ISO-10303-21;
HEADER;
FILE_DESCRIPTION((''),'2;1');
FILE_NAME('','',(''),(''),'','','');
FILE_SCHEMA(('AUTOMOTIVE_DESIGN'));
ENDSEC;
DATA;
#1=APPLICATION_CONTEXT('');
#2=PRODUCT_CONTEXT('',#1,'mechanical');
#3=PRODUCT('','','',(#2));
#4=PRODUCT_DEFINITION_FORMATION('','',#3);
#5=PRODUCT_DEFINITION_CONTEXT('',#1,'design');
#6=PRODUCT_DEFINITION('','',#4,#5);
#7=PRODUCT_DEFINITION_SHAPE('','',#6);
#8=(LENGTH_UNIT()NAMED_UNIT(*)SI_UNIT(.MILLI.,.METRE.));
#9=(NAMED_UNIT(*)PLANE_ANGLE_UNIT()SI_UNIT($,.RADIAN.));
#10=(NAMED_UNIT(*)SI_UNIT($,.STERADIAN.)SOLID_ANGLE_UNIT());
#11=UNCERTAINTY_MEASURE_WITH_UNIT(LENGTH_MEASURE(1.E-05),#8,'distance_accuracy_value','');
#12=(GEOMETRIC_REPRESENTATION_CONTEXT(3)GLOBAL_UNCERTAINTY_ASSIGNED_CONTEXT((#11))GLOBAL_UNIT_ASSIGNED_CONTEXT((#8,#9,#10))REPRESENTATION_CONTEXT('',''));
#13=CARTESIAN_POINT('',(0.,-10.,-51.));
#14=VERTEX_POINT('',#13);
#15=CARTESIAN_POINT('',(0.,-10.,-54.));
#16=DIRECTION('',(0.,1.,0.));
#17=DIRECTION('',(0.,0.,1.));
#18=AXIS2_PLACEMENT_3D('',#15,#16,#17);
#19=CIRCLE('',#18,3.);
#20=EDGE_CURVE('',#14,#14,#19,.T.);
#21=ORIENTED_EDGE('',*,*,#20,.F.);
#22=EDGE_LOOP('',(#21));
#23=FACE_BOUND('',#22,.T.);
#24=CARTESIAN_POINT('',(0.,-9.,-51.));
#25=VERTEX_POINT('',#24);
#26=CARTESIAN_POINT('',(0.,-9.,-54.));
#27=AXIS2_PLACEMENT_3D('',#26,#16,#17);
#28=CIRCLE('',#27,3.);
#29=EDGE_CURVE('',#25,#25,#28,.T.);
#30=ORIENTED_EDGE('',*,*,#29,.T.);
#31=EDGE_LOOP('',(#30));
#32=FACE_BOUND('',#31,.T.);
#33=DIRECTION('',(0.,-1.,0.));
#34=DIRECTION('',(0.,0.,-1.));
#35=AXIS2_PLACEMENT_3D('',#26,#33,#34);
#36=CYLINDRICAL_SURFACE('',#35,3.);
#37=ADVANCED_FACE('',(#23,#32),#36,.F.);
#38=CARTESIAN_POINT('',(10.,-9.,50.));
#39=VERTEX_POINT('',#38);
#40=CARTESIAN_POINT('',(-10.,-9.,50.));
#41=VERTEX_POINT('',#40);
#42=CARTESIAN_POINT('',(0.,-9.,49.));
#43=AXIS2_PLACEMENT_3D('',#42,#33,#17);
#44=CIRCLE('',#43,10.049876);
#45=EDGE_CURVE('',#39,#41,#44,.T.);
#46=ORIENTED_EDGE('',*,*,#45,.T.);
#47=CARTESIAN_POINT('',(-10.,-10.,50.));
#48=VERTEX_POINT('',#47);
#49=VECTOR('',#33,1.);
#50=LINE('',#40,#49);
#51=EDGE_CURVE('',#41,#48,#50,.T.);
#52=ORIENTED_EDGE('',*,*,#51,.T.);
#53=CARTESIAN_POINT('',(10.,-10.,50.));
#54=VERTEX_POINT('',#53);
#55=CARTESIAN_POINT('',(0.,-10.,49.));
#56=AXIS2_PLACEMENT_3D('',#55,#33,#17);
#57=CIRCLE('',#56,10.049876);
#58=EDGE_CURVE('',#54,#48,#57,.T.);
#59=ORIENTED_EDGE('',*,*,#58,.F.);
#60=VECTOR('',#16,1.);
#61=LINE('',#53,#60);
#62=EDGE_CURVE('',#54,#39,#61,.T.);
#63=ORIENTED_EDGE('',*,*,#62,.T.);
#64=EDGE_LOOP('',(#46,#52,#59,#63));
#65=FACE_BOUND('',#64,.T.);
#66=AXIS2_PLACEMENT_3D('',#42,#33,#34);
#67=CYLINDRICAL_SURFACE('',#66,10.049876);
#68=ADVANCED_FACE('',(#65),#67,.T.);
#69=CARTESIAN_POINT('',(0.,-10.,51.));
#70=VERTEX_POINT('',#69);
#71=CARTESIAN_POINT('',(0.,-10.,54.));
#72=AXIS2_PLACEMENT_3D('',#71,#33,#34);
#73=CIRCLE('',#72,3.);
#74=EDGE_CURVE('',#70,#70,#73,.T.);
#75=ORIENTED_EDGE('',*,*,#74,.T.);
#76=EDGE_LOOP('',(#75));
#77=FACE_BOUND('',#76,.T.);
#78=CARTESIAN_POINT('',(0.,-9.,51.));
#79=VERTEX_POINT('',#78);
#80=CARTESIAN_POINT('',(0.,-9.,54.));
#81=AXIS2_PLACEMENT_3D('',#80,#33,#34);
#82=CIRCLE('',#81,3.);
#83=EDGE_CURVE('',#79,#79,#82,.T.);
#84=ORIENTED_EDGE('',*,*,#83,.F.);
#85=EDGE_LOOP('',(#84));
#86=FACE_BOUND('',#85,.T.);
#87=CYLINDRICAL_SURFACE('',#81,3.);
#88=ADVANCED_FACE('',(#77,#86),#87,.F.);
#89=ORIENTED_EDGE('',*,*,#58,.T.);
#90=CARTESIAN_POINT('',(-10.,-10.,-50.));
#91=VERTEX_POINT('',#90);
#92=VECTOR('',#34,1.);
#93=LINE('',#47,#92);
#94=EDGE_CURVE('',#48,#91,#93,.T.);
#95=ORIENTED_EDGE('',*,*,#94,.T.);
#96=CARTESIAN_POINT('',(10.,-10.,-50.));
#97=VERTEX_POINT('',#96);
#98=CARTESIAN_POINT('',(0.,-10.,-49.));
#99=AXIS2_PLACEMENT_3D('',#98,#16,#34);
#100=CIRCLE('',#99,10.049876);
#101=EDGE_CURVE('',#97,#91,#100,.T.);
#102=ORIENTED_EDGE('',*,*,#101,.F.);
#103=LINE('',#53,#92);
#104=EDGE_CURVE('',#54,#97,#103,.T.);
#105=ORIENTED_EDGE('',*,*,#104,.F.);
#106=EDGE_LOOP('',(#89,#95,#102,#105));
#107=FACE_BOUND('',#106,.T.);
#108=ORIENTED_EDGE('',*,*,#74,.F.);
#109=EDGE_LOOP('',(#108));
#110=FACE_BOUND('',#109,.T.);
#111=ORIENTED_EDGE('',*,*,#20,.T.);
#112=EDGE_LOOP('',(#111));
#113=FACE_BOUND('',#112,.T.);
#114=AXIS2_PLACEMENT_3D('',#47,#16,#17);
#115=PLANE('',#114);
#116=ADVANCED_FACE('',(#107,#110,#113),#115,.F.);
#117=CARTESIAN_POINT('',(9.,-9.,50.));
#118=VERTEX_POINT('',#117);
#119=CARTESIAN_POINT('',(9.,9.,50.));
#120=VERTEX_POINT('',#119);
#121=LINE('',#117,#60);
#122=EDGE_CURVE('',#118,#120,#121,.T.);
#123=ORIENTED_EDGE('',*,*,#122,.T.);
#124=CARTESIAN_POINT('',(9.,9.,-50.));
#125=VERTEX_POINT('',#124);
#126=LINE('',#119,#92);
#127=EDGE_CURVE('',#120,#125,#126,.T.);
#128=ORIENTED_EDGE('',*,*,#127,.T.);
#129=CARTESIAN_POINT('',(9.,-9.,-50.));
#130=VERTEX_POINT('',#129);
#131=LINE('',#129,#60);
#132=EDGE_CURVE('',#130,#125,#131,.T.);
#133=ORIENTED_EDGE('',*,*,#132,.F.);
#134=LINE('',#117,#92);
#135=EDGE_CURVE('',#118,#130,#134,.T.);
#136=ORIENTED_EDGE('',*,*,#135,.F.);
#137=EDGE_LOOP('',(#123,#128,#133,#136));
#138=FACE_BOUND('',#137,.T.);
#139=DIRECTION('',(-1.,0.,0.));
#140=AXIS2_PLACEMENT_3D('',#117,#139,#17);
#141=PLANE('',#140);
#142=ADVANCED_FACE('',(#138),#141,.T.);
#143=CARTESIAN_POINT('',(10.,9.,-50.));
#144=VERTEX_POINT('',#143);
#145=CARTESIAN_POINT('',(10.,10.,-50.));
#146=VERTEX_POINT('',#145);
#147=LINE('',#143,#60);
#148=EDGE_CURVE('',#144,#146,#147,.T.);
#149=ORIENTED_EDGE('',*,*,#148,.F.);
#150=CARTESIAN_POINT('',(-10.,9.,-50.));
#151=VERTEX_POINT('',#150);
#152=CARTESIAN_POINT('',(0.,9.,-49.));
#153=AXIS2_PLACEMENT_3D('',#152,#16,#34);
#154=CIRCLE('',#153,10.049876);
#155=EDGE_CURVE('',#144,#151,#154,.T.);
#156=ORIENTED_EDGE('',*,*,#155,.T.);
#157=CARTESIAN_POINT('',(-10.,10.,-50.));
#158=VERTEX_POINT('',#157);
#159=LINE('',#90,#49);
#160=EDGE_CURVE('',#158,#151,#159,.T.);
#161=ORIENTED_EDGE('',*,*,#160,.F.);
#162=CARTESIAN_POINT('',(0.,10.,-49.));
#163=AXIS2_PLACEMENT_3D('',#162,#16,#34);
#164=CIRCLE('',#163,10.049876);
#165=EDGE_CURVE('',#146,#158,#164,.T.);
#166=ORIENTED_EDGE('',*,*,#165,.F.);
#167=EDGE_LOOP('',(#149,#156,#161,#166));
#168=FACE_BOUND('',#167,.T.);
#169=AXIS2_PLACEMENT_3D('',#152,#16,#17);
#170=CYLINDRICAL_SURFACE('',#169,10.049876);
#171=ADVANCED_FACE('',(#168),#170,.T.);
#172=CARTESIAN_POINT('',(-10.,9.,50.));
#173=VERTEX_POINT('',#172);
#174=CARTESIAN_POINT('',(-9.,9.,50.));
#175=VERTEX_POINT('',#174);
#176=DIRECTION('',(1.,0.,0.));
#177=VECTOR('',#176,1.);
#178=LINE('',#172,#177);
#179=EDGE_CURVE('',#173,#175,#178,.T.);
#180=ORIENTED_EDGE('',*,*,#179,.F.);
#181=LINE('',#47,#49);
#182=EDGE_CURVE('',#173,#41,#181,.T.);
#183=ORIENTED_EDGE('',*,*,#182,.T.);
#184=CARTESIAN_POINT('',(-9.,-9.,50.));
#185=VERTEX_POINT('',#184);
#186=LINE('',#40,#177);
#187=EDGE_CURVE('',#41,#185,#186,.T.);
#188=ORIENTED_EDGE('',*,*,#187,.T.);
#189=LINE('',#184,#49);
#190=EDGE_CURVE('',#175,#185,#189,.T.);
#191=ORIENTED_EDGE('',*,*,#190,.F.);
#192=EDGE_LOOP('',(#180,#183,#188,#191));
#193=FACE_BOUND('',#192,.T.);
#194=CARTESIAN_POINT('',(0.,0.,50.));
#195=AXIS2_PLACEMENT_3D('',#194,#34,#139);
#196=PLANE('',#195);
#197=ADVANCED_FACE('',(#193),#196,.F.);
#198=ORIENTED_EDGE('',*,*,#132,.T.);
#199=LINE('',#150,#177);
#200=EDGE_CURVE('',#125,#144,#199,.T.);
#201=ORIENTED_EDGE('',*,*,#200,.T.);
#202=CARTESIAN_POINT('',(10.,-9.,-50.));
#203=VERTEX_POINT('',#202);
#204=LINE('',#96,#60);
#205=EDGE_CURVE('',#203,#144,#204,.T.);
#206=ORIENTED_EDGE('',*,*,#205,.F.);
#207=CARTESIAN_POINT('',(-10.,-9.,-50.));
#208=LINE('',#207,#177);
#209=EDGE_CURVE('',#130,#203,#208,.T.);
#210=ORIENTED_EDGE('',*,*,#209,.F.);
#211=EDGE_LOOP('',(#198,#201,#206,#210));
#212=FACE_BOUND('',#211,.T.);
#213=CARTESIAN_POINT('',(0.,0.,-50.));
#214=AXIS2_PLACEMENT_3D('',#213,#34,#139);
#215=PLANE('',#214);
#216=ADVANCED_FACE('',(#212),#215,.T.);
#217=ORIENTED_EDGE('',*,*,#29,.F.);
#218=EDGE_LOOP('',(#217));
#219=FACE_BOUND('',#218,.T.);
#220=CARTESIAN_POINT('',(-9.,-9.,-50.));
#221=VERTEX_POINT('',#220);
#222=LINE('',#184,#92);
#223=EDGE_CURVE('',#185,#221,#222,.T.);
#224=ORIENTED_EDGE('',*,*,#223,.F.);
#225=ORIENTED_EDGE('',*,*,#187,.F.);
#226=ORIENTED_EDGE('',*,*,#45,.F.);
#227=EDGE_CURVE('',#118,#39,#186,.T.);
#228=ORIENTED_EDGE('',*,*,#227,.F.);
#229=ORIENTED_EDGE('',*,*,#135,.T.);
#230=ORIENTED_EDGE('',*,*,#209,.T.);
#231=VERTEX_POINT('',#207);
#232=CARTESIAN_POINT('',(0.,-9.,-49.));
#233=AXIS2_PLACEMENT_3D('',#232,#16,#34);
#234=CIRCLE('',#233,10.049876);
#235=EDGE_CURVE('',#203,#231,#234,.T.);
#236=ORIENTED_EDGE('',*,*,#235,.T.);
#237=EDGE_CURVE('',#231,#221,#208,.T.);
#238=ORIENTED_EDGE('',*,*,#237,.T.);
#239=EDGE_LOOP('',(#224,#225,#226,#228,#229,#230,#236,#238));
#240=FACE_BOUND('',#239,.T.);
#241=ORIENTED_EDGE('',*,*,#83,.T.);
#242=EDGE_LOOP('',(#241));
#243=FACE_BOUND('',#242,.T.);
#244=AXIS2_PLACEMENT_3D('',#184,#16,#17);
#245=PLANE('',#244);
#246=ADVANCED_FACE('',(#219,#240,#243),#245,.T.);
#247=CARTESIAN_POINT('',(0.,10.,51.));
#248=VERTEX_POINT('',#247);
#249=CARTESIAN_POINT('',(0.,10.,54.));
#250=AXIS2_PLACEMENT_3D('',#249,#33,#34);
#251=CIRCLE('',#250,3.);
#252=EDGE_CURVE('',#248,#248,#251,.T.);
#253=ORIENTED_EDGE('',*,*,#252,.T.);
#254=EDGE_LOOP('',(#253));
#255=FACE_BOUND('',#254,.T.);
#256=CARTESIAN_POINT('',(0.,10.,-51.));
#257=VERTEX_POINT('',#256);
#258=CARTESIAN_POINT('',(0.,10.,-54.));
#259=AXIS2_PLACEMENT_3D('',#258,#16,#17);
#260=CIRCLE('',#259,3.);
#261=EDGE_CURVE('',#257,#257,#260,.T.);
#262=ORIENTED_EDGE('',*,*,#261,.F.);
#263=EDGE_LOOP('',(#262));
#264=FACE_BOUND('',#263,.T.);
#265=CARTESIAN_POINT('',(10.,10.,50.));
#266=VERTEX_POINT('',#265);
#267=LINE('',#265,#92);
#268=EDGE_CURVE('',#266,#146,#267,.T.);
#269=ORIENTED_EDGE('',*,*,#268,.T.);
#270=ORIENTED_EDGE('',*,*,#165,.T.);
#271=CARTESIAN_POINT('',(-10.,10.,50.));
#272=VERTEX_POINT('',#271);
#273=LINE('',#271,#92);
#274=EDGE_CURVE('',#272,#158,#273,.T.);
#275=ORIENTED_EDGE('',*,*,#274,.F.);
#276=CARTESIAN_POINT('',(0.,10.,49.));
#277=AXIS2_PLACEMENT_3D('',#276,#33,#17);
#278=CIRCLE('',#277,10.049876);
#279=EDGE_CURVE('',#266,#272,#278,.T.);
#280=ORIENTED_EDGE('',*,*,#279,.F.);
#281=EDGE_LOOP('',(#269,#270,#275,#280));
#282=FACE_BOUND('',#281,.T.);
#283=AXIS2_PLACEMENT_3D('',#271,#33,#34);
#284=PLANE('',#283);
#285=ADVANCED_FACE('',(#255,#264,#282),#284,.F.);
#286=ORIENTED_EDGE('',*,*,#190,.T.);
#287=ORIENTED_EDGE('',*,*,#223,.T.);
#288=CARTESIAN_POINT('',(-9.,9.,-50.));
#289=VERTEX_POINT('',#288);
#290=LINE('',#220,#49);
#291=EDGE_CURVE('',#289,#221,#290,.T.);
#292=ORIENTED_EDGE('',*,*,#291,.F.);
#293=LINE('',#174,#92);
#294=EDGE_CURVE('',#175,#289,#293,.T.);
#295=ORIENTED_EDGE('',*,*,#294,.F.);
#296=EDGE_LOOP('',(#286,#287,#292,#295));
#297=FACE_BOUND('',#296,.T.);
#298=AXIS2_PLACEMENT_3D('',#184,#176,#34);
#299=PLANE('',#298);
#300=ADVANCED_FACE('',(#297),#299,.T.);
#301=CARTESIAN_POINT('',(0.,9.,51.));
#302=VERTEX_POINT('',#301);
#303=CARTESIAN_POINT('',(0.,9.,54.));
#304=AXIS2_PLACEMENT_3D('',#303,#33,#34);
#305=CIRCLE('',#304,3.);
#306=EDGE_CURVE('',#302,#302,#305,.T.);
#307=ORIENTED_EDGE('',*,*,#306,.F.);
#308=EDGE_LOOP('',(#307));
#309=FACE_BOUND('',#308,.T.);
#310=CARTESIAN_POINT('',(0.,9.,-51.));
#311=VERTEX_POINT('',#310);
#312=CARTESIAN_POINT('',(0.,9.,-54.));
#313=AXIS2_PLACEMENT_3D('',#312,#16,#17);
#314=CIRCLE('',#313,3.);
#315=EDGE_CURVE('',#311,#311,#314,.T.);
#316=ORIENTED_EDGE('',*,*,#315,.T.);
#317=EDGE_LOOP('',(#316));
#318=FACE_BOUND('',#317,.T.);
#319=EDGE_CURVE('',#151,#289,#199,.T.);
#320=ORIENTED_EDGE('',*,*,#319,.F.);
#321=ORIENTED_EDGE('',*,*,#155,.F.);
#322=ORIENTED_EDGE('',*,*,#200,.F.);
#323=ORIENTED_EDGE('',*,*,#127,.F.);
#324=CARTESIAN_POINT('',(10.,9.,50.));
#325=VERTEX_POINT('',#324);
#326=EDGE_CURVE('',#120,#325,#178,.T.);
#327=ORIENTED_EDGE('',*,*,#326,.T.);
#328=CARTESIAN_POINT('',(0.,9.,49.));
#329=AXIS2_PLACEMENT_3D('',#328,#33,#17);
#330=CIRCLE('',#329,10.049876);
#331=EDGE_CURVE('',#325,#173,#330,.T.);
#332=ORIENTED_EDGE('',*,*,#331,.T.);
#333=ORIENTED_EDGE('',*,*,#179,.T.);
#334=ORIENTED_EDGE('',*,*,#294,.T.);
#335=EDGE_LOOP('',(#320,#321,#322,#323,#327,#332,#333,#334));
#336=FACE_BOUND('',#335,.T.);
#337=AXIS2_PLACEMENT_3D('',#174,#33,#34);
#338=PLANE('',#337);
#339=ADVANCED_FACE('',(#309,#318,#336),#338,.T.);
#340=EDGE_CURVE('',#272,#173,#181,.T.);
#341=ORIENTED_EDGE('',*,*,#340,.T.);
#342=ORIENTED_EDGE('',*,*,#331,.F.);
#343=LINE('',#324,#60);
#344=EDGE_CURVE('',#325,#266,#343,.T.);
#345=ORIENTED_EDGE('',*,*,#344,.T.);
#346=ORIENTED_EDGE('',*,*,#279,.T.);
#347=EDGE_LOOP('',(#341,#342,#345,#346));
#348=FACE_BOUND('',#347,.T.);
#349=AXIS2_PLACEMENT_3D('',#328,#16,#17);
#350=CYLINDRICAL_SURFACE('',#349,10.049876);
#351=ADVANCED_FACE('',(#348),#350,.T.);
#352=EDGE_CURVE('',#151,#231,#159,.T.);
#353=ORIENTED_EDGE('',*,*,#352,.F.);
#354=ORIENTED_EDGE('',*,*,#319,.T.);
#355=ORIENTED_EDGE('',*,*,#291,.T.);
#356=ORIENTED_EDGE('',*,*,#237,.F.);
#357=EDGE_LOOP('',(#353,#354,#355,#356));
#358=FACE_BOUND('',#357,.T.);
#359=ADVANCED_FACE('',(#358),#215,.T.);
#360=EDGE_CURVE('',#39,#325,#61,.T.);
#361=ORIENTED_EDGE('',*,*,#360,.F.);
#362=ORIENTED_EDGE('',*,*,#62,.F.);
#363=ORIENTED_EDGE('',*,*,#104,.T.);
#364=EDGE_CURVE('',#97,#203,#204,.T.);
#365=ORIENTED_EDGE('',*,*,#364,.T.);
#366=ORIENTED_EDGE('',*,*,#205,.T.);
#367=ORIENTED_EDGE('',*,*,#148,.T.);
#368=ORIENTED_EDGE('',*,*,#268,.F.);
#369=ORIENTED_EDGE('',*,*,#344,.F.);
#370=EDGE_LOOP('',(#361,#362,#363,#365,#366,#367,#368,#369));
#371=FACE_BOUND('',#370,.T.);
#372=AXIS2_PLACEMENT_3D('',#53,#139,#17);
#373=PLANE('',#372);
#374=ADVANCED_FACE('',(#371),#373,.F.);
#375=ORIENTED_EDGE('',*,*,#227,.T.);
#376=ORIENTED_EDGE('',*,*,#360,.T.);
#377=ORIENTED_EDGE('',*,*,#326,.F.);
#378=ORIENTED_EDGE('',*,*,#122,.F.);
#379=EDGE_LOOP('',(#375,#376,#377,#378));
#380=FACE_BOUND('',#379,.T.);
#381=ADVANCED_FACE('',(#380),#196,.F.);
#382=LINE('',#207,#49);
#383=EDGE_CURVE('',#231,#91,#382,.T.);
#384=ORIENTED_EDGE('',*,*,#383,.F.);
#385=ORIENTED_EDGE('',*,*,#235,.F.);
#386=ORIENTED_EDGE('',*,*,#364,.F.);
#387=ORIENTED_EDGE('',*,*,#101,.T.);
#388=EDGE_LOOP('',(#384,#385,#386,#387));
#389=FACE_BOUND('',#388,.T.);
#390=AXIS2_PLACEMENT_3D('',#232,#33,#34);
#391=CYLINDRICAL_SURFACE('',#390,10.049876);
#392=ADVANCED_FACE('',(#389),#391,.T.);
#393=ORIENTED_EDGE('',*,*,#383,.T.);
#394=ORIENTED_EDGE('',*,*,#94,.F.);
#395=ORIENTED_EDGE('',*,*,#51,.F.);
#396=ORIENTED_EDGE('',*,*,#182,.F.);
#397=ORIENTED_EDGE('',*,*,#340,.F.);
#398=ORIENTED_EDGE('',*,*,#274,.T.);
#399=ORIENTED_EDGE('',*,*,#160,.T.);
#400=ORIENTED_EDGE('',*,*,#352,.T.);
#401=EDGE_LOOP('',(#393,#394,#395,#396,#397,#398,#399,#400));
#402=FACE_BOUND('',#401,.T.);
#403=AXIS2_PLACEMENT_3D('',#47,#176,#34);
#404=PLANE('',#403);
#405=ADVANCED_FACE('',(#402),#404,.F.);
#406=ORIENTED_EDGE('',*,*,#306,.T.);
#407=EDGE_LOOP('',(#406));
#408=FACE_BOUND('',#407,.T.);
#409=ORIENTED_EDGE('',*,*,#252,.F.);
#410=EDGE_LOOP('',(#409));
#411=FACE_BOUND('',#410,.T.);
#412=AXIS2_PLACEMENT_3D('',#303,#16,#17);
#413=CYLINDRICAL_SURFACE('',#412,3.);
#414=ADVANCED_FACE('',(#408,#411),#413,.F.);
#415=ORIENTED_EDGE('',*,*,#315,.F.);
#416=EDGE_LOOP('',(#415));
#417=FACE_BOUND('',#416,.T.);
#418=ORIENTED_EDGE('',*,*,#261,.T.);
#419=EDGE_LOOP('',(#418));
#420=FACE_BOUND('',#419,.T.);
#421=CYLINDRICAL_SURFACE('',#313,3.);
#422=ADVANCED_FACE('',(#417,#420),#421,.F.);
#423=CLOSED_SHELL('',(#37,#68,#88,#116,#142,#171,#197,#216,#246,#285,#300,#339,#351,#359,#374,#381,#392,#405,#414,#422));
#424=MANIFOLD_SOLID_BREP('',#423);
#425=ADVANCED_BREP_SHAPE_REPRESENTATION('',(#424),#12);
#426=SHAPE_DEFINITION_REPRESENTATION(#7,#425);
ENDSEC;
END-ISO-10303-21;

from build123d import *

# Parameters (mm, degrees)
SKETCH1_W               = 20
SKETCH1_H               = 20
SKETCH1_W_2             = 18
SKETCH1_H_2             = 18
BOSS_EXTRUDE1_DEPTH     = 50
BOSS_EXTRUDE2_START     = -1
SKETCH2_R               = 3
BOSS_EXTRUDE2_DEPTH     = 1
MIRROR2_START           = -1
MIRROR2_COPY_1_SKETCH_R = 3
MIRROR2_COPY_1_DEPTH    = 1


with BuildPart() as part:
    # Sketch1 → Boss-Extrude1 (new body, symmetric)
    with BuildSketch(Plane.XY):
        Rectangle(SKETCH1_W, SKETCH1_H)
        Rectangle(SKETCH1_W_2, SKETCH1_H_2, mode=Mode.SUBTRACT)
    extrude(amount=BOSS_EXTRUDE1_DEPTH, both=True)

    # Sketch2 → Boss-Extrude2 (add)
    with BuildSketch(Plane.XZ.offset(10).offset(BOSS_EXTRUDE2_START)):
        with BuildLine():
            Line((-10, 50), (10, 50))
            ThreePointArc((10, 50), (0, 59.049875621), (-10, 50))
        make_face()
        with Locations((0, 54)):
            Circle(SKETCH2_R, mode=Mode.SUBTRACT)
    boss_extrude2 = extrude(amount=BOSS_EXTRUDE2_DEPTH)

    # Mirror1: Boss-Extrude2 across plane
    add(boss_extrude2.mirror(Plane.XY))

    # Mirror2: Boss-Extrude2 across plane
    add(boss_extrude2.mirror(Plane.ZX))

    # Mirror2 copy 1 sketch → Mirror2 copy 1 (add)
    with BuildSketch(Plane(origin=(0, 10, 0), x_dir=(1, 0, 0), z_dir=(0, 1, 0)).offset(MIRROR2_START)):
        with BuildLine():
            Line((-10, 50), (10, 50))
            ThreePointArc((10, 50), (0, 59.049875621), (-10, 50))
        make_face()
        with Locations((0, 54)):
            Circle(MIRROR2_COPY_1_SKETCH_R, mode=Mode.SUBTRACT)
    extrude(amount=MIRROR2_COPY_1_DEPTH)


solid = part.part
